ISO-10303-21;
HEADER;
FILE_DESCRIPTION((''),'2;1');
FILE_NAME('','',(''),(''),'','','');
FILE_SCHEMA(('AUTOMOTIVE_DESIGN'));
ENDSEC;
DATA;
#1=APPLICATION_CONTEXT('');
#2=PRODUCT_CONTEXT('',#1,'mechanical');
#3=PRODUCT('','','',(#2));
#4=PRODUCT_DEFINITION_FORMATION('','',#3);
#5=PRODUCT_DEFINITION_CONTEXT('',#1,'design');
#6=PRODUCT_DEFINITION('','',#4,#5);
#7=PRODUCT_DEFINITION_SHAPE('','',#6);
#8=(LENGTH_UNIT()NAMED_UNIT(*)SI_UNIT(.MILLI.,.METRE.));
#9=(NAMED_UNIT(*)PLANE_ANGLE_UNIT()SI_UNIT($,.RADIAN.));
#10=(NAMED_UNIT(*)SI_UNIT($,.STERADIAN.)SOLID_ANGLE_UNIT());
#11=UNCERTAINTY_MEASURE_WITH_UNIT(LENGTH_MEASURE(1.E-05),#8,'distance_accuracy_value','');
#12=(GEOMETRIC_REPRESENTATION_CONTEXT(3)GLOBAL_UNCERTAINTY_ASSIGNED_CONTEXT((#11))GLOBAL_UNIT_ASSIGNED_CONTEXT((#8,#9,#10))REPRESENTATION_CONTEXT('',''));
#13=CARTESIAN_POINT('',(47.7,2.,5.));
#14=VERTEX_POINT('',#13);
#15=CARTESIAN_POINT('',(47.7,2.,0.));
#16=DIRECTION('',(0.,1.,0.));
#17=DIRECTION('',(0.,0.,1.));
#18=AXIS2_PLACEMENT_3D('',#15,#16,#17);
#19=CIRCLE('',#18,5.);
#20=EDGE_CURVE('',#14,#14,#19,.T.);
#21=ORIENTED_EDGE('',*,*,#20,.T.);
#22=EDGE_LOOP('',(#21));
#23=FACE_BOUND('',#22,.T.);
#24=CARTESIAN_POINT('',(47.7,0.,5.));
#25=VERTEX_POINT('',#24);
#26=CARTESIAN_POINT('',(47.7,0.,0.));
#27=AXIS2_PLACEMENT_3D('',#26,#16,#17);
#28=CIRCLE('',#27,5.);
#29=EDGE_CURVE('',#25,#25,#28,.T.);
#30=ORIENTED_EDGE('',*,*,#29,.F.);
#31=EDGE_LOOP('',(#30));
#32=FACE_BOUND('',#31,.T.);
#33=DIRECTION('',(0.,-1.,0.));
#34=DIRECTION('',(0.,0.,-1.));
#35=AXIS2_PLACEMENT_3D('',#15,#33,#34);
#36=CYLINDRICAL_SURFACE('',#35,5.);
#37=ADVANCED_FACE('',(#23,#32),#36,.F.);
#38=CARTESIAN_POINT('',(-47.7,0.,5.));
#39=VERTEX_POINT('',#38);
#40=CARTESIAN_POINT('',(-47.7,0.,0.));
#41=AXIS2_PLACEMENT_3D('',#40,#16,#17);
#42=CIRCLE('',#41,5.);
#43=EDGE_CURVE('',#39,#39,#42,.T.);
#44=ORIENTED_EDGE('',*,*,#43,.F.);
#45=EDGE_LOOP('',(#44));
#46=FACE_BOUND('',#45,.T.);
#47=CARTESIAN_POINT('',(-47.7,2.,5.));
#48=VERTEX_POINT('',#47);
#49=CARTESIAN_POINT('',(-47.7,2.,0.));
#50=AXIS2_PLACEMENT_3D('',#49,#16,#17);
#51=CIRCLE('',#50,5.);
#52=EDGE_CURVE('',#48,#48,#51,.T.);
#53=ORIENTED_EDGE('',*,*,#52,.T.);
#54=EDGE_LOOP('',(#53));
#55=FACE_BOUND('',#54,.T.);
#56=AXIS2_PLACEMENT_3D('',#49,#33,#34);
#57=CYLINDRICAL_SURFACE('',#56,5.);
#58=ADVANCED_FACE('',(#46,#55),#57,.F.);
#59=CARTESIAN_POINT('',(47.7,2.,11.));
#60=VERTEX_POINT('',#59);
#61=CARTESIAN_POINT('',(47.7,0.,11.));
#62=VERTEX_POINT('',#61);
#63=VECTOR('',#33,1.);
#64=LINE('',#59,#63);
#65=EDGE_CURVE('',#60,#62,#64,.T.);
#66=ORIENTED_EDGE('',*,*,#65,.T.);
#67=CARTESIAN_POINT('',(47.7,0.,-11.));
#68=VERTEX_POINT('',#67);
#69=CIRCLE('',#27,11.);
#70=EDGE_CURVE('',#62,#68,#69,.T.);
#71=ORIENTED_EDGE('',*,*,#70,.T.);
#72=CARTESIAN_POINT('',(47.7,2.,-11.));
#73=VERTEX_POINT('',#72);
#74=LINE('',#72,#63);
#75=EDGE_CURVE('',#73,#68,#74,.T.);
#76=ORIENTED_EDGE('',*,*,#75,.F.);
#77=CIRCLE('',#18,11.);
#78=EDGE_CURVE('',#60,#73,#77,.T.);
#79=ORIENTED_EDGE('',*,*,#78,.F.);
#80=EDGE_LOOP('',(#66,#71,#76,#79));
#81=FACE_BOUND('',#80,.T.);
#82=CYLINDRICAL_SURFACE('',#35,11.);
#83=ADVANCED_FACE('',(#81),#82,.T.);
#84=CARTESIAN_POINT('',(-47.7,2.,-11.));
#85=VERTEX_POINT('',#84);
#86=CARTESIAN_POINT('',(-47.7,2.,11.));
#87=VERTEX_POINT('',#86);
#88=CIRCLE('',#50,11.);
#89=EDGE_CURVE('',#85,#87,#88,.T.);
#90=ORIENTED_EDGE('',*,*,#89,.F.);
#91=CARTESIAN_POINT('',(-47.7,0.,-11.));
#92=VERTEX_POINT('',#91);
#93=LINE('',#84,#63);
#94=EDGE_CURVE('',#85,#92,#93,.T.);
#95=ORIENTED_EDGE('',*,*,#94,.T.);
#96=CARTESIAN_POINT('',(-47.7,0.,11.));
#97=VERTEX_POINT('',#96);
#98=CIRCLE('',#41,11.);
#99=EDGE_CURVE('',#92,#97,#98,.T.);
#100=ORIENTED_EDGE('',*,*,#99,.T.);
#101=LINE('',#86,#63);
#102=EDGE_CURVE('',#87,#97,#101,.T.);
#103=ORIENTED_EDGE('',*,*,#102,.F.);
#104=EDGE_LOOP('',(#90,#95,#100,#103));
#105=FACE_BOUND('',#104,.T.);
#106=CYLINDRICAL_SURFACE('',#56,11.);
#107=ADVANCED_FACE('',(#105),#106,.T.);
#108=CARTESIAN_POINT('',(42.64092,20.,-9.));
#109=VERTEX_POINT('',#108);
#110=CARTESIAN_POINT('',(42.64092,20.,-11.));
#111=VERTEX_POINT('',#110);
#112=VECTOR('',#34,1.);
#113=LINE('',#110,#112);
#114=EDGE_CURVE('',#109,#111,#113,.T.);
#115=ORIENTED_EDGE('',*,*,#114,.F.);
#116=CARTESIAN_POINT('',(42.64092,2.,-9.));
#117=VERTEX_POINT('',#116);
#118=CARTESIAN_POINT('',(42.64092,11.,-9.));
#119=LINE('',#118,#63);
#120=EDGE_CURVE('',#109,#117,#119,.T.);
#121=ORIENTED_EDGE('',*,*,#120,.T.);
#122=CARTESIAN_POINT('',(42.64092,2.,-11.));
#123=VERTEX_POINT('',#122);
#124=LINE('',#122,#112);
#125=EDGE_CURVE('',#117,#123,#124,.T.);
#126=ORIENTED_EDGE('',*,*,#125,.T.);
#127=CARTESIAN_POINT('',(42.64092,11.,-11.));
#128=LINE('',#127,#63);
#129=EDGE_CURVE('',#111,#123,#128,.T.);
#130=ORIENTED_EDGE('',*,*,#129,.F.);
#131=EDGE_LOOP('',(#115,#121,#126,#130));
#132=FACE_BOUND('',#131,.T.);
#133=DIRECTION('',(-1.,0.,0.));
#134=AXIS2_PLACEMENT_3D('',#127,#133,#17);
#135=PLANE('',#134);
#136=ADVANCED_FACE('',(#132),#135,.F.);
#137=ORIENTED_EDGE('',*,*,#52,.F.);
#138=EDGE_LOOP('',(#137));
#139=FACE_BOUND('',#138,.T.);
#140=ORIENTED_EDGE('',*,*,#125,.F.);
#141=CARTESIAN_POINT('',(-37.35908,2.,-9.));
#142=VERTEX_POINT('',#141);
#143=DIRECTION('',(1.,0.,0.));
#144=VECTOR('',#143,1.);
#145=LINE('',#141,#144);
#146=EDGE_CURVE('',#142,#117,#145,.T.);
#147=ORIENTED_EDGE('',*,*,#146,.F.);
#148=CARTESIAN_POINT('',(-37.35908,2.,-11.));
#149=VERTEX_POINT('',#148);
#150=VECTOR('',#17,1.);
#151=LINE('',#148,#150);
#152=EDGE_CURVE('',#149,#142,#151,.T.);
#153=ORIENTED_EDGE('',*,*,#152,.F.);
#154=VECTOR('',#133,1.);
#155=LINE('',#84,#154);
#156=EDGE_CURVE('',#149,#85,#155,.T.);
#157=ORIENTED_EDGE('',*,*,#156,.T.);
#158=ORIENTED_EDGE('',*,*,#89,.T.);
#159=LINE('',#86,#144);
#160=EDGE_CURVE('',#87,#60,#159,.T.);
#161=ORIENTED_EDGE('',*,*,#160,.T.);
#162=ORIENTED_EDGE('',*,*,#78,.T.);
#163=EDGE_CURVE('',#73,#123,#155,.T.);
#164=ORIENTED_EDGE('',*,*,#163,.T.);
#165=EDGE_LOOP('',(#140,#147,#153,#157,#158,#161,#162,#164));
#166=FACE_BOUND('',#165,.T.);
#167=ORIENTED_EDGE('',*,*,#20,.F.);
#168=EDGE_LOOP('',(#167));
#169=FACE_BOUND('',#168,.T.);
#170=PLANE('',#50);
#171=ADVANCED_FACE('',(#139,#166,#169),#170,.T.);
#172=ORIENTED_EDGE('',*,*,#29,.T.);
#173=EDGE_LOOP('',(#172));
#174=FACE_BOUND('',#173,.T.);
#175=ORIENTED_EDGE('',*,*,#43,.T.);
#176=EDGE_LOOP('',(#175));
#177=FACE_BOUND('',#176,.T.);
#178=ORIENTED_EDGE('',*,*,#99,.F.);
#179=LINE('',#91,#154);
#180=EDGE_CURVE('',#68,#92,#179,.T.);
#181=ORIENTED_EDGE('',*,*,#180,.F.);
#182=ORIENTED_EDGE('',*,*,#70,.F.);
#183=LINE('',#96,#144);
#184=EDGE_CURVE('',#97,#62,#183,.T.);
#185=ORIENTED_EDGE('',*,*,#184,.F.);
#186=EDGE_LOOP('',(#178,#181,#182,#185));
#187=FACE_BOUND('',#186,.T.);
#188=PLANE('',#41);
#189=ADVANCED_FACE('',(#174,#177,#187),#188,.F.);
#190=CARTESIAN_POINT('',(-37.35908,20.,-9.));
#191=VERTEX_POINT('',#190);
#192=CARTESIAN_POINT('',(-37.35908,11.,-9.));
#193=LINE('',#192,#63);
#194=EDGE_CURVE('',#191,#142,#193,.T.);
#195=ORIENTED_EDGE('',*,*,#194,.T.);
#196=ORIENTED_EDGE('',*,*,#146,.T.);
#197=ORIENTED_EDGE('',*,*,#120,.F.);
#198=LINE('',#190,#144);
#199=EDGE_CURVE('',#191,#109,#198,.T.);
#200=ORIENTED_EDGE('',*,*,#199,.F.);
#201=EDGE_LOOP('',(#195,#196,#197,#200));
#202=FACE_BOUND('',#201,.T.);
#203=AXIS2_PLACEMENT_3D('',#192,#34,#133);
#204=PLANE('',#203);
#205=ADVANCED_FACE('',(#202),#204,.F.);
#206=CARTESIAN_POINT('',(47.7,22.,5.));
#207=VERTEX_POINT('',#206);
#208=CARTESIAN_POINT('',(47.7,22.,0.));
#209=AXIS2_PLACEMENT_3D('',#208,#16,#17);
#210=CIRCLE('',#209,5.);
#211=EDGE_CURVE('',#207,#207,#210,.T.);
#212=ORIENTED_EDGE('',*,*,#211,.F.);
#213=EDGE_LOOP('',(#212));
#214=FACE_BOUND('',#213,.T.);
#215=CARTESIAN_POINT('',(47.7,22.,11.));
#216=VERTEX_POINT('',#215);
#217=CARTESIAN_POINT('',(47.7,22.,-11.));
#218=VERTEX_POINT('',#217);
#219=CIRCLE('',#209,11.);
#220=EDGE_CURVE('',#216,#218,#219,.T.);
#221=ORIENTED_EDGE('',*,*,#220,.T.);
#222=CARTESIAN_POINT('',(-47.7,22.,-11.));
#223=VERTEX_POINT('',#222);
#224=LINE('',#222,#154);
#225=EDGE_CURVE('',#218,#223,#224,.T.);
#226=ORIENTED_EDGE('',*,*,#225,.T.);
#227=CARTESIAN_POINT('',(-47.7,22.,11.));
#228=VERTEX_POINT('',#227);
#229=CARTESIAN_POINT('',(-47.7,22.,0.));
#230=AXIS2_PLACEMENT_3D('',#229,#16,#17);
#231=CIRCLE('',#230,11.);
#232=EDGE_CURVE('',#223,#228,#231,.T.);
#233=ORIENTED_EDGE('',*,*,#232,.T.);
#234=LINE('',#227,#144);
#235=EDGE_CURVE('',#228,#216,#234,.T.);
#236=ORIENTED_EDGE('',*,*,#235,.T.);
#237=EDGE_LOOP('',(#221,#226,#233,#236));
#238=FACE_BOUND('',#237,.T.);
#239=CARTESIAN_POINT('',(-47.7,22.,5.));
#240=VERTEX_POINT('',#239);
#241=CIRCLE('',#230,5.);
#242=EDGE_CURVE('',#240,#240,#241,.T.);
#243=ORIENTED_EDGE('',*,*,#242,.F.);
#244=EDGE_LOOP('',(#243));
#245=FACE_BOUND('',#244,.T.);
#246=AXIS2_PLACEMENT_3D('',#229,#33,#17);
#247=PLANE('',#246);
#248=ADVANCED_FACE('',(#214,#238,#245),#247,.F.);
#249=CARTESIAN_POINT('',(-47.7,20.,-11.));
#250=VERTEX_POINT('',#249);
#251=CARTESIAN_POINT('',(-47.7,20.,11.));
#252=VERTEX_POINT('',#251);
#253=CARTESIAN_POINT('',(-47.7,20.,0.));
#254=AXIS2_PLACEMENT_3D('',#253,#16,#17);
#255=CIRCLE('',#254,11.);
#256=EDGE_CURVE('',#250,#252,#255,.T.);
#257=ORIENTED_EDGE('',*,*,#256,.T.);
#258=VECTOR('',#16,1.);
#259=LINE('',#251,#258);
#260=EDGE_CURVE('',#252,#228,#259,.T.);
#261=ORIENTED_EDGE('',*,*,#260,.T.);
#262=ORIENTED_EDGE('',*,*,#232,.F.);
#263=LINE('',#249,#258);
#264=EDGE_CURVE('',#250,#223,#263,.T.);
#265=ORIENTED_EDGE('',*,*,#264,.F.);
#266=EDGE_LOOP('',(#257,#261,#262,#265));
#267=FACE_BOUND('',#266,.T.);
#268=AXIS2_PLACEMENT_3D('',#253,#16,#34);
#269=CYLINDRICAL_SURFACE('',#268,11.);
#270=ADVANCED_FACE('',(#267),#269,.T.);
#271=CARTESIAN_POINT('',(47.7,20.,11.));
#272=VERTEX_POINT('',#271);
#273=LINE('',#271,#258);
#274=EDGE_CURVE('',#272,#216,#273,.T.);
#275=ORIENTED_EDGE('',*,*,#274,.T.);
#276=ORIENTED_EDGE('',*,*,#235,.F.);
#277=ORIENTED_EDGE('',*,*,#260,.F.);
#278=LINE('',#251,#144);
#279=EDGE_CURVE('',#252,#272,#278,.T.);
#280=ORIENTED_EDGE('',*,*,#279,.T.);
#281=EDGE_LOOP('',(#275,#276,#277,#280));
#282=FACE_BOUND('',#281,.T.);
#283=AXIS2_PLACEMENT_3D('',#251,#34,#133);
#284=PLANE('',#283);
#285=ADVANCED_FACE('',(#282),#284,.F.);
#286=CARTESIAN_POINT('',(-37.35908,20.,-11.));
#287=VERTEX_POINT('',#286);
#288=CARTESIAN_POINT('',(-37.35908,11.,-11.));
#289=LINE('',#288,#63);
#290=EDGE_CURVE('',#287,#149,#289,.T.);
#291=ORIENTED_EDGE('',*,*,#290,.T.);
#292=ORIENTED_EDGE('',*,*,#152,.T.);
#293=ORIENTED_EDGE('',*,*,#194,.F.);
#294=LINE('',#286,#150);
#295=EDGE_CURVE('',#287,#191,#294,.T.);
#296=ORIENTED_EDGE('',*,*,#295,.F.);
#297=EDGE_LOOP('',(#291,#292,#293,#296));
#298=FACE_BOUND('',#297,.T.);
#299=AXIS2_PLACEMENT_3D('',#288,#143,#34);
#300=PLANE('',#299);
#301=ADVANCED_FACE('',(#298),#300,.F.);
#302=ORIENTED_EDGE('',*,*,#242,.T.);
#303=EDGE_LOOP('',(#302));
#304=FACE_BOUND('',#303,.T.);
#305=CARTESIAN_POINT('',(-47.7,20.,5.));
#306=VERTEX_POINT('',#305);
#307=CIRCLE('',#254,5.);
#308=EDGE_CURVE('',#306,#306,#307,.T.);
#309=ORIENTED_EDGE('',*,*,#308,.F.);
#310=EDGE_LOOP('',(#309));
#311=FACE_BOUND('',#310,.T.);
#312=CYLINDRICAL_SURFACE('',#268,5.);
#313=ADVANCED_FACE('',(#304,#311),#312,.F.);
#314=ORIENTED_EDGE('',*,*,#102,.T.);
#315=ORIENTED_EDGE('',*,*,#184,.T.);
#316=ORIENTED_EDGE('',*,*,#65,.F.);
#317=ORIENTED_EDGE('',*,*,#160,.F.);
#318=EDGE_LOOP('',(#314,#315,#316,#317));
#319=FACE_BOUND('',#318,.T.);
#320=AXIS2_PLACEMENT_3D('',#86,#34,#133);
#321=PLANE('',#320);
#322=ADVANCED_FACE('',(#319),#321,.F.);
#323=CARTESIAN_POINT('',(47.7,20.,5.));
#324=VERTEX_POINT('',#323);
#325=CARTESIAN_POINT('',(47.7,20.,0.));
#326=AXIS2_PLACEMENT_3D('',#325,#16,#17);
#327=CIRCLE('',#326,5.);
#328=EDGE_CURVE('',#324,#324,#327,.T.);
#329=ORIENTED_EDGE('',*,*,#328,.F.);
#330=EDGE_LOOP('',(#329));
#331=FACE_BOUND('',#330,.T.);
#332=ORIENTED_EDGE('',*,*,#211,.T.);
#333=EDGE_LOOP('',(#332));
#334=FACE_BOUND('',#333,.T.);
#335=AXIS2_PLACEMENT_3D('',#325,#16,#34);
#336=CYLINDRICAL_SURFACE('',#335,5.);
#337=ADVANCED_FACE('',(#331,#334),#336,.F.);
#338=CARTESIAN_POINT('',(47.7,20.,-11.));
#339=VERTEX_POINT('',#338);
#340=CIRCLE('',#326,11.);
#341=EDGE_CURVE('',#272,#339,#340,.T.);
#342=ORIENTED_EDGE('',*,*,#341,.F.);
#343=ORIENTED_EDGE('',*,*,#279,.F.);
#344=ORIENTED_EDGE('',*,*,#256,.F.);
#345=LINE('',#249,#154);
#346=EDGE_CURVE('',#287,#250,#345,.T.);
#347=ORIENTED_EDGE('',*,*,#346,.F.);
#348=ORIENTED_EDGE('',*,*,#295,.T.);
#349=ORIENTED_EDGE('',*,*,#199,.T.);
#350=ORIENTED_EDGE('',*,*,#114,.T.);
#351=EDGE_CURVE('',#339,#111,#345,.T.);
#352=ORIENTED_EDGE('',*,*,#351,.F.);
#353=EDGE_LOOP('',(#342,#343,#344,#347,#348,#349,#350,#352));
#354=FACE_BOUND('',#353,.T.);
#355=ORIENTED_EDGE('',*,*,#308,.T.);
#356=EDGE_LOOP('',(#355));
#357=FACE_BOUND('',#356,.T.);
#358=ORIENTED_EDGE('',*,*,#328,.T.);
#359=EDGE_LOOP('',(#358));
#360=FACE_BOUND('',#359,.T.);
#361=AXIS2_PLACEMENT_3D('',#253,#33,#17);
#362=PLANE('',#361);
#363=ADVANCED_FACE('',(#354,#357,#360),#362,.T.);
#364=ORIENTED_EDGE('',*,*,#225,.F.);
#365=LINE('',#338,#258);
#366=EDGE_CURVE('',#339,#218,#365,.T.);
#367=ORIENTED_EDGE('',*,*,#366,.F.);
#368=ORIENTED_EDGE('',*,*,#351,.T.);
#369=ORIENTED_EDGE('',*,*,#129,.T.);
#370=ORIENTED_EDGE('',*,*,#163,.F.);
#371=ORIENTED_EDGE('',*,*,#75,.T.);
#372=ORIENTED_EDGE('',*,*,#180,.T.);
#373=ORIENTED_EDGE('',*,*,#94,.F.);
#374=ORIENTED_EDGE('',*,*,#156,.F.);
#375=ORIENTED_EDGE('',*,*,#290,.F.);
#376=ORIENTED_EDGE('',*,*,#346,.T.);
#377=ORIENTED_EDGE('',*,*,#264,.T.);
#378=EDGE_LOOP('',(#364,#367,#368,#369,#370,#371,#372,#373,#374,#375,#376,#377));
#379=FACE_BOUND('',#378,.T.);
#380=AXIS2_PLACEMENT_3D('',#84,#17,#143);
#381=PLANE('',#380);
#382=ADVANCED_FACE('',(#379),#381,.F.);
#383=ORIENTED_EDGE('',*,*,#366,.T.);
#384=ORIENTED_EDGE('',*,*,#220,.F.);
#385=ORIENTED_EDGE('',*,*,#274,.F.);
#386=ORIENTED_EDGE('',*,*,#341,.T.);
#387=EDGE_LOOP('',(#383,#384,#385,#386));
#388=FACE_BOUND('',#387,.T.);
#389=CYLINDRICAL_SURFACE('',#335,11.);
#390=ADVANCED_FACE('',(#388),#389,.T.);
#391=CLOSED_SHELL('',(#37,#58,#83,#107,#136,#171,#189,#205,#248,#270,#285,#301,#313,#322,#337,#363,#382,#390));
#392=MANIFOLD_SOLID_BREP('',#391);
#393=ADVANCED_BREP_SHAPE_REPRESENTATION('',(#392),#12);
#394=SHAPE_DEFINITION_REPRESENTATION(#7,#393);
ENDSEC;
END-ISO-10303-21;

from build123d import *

# Parameters (mm, degrees)
SKETCH1_R           = 5
BOSS_EXTRUDE1_DEPTH = 2
SKETCH2_W           = 80
SKETCH2_H           = 2
BOSS_EXTRUDE2_DEPTH = 9


with BuildPart() as part:
    # Sketch1 → Boss-Extrude1 (new body)
    with BuildSketch(Plane(origin=(0, 0, 0), x_dir=(1, 0, 0), z_dir=(0, 1, 0))):
        with BuildLine():
            Line((-47.7, 11), (47.7, 11))
            ThreePointArc((47.7, 11), (58.7, 0), (47.7, -11))
            Line((47.7, -11), (-47.7, -11))
            ThreePointArc((-47.7, -11), (-58.7, 0), (-47.7, 11))
        make_face()
        with Locations(Location((47.7, 0, 0), (0, 0, 270))):
            Circle(SKETCH1_R, mode=Mode.SUBTRACT)
        with Locations(Location((-47.7, 0, 0), (0, 0, 270))):
            Circle(SKETCH1_R, mode=Mode.SUBTRACT)
    extrude(amount=BOSS_EXTRUDE1_DEPTH)

    # Sketch2 → Boss-Extrude2 (add)
    with BuildSketch(Plane(origin=(0, 2, 0), x_dir=(1, 0, 0), z_dir=(0, 1, 0))):
        with Locations((2.64092049, 10)):
            Rectangle(SKETCH2_W, SKETCH2_H)
    extrude(amount=BOSS_EXTRUDE2_DEPTH)

    # Mirror1: part across plane


with BuildPart() as part_1:
    add(part.part)
    add(part.part.mirror(Plane.ZX.offset(11)))


solid = part_1.part
